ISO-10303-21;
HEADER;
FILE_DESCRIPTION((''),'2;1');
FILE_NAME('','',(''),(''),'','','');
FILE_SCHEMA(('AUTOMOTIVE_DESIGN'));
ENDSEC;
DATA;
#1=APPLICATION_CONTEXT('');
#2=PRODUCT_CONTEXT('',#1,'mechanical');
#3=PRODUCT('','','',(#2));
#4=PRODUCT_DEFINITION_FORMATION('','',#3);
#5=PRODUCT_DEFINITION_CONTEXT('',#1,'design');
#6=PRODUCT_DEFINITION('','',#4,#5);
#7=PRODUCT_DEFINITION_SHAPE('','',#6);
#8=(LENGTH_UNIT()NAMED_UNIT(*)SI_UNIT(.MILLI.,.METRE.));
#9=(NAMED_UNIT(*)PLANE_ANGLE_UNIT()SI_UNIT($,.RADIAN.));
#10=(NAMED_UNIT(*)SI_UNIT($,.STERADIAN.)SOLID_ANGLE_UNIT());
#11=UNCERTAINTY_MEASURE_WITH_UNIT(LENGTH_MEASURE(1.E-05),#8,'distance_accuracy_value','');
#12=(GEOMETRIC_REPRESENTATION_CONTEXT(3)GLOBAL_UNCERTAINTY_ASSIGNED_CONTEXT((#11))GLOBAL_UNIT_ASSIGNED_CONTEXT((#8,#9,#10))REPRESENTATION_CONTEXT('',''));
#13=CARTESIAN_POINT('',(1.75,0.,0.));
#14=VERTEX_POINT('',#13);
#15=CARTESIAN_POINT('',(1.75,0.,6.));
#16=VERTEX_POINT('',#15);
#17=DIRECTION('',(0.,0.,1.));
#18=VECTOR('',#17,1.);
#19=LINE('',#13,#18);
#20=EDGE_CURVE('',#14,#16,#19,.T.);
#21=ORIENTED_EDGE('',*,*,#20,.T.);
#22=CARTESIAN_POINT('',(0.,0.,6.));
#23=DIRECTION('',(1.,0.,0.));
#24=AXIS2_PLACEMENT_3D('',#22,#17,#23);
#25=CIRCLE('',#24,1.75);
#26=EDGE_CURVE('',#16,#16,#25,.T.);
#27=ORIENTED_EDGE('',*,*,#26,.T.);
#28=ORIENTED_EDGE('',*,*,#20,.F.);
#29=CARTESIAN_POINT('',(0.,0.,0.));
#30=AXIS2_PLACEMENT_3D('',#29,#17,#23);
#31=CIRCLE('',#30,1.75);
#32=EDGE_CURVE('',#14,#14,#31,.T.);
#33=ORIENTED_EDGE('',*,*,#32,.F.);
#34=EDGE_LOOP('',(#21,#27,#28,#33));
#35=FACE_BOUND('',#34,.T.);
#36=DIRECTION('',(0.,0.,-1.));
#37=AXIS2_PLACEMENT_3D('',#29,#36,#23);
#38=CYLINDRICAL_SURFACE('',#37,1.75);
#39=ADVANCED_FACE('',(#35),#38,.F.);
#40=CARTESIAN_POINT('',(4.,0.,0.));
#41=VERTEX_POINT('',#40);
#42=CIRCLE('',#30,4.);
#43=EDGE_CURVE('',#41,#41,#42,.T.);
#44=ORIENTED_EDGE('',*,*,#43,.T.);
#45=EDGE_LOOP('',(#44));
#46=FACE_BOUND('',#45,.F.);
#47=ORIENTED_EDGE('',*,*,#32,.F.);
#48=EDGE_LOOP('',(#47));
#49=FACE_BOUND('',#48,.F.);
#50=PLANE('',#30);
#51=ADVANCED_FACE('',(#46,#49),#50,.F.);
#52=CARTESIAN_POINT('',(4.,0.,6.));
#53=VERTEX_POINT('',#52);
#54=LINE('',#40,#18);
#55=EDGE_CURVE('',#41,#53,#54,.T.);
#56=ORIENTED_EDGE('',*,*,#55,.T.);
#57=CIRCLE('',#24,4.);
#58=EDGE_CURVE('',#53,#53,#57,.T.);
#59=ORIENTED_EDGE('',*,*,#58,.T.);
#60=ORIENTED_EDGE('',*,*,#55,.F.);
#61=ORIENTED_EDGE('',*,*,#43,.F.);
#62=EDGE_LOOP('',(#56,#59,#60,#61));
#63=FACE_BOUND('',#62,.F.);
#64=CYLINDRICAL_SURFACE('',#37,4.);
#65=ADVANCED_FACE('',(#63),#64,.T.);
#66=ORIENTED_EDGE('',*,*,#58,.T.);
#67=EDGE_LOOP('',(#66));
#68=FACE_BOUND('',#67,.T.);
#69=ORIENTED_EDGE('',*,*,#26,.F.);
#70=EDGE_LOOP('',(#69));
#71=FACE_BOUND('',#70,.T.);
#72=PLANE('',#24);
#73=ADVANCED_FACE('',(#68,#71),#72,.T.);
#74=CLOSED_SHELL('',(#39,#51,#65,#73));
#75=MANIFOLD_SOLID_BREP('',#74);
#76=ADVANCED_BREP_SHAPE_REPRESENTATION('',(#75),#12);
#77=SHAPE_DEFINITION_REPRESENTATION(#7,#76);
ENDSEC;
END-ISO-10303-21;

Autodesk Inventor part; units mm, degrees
ref_plane "YZ Plane" through (0, 0, 0) normal (1, 0, 0) x (0, 1, 0)
ref_plane "XZ Plane" through (0, 0, 0) normal (0, 1, 0) x (-1, 0, 0)
ref_plane "XY Plane" through (0, 0, 0) normal (0, 0, 1) x (1, 0, 0)
sketch "Sketch1" plane through (0, 0, 0) normal (0, 0, 1) x (1, 0, 0)
  circle A0 centre (0, 0) radius 4
  circle A1 centre (0, 0) radius 1.75
  dimension "d0" = 8
  dimension "d1" = 3.5
extrude "Extrusion1" add sketch "Sketch1" along normal blind 6
properties part number "Standoff3mm"
